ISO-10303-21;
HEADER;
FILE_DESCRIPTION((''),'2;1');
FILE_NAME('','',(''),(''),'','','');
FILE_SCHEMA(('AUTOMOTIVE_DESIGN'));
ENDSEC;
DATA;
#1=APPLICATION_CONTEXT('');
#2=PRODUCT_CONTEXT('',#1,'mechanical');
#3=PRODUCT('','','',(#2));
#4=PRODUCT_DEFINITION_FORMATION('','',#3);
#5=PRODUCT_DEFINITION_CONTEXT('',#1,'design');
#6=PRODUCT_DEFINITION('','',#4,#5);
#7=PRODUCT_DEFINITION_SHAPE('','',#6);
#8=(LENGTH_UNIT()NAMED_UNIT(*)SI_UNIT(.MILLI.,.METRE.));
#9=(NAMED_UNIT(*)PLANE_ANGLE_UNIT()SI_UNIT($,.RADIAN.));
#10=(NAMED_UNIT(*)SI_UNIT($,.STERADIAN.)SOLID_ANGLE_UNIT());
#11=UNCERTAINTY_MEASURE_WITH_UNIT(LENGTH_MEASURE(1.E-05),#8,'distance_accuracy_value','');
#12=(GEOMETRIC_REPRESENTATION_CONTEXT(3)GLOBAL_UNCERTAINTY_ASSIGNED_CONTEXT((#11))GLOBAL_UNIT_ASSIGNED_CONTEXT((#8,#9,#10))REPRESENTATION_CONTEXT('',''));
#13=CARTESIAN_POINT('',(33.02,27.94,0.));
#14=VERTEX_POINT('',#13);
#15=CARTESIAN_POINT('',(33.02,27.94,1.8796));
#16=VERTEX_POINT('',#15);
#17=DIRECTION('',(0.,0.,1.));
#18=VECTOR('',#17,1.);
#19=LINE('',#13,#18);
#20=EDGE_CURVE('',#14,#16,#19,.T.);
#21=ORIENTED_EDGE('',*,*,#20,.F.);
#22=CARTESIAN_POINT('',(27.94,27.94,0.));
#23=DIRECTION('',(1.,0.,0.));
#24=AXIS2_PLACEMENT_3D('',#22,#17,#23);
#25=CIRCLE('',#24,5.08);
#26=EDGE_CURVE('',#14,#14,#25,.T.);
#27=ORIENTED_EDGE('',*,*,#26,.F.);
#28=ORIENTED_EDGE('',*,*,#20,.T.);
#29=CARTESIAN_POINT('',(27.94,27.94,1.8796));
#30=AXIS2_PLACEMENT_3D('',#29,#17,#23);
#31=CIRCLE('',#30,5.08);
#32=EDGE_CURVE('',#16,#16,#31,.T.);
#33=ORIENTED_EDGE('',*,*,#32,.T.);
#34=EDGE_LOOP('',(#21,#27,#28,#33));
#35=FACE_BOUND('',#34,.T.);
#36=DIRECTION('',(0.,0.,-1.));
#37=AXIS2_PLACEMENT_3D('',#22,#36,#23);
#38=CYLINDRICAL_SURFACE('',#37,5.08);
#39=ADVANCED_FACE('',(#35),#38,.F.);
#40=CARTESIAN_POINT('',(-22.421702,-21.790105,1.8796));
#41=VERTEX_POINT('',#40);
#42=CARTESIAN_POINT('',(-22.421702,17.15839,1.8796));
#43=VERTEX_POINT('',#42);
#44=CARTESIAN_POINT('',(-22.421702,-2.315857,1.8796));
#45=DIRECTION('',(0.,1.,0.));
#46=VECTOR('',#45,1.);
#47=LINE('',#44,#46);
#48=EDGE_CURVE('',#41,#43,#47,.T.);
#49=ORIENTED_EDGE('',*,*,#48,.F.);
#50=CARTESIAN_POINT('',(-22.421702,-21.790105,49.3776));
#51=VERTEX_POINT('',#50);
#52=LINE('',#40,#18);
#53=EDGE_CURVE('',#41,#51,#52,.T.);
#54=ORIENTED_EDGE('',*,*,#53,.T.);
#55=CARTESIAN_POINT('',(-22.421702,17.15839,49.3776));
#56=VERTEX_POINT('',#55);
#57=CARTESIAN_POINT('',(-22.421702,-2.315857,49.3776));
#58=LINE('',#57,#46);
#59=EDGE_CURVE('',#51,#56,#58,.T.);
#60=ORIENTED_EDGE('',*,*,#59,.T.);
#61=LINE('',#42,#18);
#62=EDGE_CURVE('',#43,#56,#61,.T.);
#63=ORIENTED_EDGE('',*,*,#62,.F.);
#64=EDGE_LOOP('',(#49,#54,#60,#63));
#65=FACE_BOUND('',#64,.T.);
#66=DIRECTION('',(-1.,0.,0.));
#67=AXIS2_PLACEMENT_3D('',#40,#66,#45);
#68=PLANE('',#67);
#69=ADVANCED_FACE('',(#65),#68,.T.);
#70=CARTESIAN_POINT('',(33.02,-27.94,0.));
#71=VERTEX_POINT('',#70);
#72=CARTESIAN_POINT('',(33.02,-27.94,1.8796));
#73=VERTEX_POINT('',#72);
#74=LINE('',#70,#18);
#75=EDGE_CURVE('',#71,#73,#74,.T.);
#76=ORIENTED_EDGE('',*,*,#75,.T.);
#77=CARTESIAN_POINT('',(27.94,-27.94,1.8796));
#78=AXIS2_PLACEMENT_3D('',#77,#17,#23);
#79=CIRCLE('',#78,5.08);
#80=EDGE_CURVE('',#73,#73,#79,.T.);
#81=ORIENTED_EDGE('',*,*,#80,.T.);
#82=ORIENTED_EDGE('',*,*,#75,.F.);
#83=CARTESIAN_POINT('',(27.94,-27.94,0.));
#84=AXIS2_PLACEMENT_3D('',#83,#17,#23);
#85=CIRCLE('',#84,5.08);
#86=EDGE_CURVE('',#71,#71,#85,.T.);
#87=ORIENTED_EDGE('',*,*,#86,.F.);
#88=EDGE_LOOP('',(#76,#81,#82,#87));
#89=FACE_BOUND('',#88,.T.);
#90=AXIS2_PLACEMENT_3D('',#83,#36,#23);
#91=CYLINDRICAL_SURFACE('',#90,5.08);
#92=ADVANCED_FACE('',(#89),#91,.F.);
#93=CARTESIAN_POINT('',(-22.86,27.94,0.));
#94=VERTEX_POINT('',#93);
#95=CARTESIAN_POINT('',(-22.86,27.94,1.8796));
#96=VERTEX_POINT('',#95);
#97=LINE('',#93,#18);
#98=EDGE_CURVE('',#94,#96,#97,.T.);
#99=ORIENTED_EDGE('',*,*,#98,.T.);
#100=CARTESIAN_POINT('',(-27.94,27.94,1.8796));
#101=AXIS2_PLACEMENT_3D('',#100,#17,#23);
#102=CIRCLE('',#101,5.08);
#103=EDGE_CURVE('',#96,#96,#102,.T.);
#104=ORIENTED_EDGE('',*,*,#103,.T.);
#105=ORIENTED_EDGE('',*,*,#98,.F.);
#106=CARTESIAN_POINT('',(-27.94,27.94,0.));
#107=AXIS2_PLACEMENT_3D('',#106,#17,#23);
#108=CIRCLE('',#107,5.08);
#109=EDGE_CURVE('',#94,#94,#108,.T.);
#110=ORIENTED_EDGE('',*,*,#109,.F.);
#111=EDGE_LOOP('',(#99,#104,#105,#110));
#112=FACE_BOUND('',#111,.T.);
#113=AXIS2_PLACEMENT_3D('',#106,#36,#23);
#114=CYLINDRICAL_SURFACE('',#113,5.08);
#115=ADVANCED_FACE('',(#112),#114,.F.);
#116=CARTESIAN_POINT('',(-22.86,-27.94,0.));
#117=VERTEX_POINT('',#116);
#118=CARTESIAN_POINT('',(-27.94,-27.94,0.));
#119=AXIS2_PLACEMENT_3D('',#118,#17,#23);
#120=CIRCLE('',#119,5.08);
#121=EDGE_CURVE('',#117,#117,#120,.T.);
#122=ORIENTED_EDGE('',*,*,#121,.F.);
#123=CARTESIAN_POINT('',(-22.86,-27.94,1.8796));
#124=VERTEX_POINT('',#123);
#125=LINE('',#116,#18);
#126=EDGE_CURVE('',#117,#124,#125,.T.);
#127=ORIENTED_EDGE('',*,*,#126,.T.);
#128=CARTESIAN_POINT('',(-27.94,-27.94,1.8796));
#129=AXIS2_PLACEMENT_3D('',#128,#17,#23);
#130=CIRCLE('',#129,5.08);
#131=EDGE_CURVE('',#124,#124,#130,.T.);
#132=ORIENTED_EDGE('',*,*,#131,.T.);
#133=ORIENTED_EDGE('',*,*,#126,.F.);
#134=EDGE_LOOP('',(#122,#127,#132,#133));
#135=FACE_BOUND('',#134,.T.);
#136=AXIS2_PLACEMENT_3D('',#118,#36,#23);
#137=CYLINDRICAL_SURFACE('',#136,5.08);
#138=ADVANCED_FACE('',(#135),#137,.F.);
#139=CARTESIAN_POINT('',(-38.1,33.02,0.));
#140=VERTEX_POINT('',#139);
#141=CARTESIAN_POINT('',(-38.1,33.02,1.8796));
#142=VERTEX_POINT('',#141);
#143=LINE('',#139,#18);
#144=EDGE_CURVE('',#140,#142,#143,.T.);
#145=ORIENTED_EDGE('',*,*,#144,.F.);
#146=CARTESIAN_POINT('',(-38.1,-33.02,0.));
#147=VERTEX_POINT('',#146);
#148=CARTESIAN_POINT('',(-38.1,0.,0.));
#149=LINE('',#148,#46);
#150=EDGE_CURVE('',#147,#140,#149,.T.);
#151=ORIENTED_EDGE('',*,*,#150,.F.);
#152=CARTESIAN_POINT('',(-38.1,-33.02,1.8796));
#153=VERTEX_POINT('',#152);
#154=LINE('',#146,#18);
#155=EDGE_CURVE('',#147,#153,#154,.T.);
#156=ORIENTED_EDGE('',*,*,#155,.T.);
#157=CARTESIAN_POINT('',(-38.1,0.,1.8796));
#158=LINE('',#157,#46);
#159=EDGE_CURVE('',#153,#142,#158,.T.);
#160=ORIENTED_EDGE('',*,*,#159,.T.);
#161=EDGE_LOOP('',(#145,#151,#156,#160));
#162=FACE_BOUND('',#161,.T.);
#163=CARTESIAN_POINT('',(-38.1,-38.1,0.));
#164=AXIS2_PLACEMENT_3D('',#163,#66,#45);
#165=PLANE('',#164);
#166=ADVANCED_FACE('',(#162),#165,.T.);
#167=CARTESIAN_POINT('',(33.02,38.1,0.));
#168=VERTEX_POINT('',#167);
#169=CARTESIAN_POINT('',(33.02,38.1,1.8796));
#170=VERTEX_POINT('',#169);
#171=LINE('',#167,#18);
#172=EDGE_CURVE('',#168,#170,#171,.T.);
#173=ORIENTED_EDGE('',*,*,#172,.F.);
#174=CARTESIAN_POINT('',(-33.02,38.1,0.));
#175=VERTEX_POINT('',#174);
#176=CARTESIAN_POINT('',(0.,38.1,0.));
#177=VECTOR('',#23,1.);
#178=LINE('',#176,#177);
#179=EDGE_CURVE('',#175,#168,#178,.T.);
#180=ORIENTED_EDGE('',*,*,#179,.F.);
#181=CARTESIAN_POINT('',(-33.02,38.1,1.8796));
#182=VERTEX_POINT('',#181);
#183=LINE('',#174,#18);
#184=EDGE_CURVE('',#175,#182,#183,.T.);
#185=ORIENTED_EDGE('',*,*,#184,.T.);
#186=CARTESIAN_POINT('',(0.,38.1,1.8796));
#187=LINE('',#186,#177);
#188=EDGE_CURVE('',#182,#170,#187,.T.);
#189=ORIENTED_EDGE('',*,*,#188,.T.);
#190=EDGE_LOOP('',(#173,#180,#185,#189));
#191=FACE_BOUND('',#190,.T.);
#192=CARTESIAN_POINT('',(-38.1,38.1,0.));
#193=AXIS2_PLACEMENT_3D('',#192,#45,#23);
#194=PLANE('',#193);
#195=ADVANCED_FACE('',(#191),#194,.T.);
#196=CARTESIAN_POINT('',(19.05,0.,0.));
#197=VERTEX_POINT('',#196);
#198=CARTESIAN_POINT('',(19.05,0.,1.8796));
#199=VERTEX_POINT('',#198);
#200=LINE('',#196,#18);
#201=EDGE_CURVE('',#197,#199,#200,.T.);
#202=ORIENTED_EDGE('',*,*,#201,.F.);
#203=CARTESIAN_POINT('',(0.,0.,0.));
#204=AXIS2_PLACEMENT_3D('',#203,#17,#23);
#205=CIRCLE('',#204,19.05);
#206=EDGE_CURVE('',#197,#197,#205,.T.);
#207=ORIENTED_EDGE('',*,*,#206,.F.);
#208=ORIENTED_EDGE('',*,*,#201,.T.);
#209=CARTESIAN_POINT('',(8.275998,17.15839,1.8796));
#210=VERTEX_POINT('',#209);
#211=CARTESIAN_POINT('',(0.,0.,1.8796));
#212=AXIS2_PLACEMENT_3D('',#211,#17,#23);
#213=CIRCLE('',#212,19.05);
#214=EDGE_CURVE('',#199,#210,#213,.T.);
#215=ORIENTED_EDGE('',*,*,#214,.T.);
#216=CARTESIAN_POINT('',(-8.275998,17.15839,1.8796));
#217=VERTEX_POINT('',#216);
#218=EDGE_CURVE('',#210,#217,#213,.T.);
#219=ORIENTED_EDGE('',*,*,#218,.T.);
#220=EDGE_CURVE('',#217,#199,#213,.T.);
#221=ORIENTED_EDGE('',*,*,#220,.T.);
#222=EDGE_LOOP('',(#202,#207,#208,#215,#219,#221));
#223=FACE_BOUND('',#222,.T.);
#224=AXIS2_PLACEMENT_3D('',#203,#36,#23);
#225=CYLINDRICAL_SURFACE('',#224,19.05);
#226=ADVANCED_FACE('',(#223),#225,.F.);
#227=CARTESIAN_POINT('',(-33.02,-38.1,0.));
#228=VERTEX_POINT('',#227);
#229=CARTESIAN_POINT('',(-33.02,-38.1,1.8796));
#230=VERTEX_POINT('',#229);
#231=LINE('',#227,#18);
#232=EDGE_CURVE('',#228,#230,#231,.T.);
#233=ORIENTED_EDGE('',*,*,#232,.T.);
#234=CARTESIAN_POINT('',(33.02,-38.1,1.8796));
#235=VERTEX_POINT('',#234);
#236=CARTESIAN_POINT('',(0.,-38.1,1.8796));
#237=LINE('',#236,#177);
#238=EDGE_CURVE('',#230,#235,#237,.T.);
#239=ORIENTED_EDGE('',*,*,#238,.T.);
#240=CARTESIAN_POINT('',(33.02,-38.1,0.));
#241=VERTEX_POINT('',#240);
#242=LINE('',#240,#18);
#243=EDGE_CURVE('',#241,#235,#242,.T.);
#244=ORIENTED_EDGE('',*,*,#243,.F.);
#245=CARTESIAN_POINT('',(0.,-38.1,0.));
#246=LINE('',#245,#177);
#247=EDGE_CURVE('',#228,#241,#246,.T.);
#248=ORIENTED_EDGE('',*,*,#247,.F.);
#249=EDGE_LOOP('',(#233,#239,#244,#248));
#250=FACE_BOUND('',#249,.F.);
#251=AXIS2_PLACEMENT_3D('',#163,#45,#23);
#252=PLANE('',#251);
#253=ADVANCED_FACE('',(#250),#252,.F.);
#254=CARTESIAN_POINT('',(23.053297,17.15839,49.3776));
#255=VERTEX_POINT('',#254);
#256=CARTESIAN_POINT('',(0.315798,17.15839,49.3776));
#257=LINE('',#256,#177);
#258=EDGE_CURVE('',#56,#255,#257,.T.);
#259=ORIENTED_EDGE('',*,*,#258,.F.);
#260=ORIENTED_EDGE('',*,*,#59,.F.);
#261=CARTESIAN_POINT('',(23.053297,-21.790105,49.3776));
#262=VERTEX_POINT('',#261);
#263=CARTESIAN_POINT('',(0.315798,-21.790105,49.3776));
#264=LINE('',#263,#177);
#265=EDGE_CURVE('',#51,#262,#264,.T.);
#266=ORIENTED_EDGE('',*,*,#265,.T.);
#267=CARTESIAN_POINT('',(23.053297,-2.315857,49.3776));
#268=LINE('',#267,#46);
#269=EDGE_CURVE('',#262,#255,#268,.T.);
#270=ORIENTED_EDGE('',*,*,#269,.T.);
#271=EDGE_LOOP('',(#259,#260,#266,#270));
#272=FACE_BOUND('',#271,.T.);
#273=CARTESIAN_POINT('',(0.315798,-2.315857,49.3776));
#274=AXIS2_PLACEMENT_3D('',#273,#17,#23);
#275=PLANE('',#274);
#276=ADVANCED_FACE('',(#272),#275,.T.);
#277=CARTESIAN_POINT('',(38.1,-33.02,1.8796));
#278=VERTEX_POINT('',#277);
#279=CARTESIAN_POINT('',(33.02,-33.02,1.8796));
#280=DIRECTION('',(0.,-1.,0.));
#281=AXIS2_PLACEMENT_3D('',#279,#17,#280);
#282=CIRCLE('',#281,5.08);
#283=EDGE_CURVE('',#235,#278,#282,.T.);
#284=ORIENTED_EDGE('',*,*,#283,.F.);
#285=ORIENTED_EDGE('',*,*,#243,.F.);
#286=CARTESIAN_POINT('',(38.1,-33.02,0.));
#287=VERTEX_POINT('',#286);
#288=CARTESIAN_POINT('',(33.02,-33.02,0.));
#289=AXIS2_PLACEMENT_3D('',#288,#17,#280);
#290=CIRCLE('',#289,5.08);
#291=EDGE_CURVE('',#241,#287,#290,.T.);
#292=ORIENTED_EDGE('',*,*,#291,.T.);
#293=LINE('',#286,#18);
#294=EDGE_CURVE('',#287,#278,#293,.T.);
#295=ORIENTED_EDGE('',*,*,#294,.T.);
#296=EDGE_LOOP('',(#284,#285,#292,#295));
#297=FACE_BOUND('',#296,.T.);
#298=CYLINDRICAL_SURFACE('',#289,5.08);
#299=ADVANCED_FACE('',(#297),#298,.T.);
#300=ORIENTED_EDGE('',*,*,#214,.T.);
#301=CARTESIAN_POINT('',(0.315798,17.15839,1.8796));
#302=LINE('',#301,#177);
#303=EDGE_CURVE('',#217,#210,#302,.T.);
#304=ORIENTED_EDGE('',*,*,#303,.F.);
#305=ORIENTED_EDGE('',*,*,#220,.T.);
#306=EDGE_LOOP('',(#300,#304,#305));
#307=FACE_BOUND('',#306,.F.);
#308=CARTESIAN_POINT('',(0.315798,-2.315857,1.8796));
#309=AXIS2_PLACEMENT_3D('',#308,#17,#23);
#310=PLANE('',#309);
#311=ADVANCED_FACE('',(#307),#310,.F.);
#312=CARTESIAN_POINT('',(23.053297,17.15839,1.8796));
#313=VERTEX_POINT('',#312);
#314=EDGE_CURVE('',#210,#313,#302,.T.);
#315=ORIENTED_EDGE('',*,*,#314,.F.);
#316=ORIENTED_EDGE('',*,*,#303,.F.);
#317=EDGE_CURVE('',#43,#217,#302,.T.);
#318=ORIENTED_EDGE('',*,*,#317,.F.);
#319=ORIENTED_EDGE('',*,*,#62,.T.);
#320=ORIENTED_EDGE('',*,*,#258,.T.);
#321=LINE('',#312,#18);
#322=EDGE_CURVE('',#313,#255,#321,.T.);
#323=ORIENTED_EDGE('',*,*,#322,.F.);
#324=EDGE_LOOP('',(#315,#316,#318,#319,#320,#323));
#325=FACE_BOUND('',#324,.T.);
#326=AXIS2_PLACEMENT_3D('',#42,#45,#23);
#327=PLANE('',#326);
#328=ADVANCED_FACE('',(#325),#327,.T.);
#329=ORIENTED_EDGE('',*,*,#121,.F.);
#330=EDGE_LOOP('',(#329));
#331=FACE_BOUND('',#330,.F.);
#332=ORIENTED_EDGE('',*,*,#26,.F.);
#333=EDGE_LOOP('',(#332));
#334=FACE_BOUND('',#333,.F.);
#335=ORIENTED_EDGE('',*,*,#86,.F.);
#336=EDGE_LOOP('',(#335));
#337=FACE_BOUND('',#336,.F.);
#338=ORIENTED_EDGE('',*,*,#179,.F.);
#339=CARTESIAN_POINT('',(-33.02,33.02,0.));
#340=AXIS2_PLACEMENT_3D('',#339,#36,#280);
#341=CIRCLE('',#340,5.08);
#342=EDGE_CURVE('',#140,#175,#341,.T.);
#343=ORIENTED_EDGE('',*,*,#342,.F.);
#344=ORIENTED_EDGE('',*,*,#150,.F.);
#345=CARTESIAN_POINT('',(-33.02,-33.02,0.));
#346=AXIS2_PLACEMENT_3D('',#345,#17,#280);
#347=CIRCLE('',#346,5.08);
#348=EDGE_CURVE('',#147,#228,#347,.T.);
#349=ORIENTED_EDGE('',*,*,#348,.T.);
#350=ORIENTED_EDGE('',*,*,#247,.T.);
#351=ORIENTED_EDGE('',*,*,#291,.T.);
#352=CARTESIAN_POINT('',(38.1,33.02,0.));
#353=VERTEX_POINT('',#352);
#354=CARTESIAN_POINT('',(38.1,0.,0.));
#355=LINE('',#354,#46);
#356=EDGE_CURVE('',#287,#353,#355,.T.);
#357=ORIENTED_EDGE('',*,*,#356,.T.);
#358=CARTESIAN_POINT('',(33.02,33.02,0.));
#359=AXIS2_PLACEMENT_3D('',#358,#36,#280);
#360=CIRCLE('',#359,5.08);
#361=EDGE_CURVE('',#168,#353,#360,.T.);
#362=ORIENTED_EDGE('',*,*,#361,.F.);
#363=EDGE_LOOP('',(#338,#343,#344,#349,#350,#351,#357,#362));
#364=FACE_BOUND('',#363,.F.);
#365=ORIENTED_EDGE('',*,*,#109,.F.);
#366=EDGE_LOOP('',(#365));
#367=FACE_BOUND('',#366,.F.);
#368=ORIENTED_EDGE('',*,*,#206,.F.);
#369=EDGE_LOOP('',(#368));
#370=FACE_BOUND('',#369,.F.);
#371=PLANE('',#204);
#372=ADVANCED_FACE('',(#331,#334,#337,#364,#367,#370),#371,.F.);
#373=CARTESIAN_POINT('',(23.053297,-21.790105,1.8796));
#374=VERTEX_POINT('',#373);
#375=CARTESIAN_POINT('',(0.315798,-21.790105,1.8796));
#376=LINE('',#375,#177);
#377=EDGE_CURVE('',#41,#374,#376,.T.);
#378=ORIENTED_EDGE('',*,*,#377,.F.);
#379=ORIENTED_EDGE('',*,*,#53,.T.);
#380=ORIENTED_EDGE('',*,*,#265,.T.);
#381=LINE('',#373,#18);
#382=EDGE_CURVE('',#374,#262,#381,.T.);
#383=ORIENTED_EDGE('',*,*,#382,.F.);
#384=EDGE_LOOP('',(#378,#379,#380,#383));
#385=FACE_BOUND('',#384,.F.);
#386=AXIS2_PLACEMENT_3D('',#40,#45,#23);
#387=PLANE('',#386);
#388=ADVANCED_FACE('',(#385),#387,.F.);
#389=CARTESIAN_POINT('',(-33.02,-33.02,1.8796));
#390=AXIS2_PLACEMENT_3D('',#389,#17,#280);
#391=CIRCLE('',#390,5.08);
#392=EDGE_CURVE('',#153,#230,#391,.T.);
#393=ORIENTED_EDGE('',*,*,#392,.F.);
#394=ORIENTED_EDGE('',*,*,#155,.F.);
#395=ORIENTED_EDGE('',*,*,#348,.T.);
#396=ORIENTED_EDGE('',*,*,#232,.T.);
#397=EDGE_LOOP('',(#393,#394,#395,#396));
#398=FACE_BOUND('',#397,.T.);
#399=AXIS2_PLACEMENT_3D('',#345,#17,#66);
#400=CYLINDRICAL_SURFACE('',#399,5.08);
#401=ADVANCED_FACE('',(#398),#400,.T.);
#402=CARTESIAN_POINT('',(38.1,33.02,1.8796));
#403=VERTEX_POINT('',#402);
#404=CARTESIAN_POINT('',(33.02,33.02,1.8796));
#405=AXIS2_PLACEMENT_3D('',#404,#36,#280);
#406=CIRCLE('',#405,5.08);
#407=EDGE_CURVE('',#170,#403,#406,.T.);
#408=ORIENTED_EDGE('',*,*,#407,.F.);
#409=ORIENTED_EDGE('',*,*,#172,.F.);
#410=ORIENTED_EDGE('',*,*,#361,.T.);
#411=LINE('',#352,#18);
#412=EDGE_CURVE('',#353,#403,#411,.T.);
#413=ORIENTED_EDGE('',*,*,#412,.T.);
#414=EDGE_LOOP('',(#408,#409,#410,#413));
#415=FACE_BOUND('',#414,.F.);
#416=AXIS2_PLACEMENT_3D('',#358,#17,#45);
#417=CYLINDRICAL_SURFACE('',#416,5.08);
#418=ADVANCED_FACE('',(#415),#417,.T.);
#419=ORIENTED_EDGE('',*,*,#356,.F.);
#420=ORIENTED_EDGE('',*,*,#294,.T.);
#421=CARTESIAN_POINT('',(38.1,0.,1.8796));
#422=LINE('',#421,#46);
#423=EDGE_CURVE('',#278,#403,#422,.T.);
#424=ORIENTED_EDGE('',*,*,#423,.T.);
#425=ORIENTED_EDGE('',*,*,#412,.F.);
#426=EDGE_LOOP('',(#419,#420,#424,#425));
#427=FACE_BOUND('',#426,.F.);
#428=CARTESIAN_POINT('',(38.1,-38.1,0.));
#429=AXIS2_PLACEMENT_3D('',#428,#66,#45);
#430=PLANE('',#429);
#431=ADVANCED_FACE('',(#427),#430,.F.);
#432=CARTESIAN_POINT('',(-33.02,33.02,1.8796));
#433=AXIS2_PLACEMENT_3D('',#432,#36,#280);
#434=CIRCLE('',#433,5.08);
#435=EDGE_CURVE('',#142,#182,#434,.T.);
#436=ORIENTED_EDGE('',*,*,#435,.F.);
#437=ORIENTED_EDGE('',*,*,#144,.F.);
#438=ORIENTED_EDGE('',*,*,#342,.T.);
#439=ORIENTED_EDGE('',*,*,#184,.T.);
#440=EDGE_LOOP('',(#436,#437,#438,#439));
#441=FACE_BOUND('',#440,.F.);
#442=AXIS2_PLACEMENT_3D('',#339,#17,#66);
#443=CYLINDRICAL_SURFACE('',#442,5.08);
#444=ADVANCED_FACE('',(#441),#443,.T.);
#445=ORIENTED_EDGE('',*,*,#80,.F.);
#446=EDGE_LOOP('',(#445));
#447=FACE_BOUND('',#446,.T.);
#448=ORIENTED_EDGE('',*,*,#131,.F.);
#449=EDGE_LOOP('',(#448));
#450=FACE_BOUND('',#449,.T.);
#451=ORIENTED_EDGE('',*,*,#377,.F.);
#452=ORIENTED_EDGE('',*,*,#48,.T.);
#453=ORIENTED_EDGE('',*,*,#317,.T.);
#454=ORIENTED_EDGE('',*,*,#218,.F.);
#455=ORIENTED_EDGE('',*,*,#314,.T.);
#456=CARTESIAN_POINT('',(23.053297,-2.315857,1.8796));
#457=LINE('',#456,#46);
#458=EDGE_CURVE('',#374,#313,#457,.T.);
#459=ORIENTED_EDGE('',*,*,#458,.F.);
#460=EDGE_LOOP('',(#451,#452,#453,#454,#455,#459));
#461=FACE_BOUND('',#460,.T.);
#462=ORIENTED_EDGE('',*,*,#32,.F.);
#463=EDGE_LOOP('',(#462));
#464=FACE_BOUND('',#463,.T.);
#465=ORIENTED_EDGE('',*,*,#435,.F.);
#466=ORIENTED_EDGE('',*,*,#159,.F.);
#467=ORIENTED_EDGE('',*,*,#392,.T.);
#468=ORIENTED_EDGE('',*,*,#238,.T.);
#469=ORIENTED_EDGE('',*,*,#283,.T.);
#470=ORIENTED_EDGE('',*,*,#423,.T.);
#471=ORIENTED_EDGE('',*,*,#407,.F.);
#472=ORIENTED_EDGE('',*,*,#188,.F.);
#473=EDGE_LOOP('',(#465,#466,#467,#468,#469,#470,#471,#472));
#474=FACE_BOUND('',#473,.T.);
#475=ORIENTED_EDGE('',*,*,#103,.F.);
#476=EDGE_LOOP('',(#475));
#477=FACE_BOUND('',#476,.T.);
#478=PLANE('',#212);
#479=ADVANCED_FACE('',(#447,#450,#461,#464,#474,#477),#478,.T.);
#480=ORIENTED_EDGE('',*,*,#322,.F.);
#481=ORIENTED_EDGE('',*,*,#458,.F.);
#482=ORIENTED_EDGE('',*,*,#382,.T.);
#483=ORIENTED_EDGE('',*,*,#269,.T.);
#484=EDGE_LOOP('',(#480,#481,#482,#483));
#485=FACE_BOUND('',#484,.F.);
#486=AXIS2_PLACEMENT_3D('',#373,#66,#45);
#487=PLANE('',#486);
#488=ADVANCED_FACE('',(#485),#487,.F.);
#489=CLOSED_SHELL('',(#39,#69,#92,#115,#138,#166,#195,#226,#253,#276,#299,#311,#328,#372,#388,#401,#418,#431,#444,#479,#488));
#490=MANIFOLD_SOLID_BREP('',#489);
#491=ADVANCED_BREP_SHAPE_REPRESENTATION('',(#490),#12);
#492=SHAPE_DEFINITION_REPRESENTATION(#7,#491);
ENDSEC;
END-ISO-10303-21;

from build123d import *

# Parameters (mm, degrees)
F0_W     = 76.2
F0_H     = 76.2
F0_R     = 5.08
F0_R_2   = 19.05
F1_DEPTH = 1.8796
F2_R     = 5.08
F5_W     = 45.474999
F5_H     = 38.948495
F6_DEPTH = 47.498


with BuildPart() as f1:
    # F0 (on Top) → F1 (new body)
    with BuildSketch(Plane.XY):
        Rectangle(F0_W, F0_H)
        with Locations((-27.94, -27.94)):
            Circle(F0_R, mode=Mode.SUBTRACT)
        with Locations((27.94, -27.94)):
            Circle(F0_R, mode=Mode.SUBTRACT)
        with Locations((-27.94, 27.94)):
            Circle(F0_R, mode=Mode.SUBTRACT)
        Circle(F0_R_2, mode=Mode.SUBTRACT)
        with Locations((27.94, 27.94)):
            Circle(F0_R, mode=Mode.SUBTRACT)
    extrude(amount=F1_DEPTH)

    # F2
    f2_edges = [f1.edges().sort_by_distance(p)[0] for p in [
        (-38.1, -38.1, 0.9398),
        (38.1, -38.1, 0.9398),
        (38.1, 38.1, 0.9398),
        (-38.1, 38.1, 0.9398),
    ]]
    fillet(f2_edges, radius=F2_R)

    # F5 (on face) → F6 (join)
    with BuildSketch(Plane.XY.offset(1.8796)):
        with Locations((0.315798, -2.315857)):
            Rectangle(F5_W, F5_H)
    extrude(amount=F6_DEPTH)


solid = f1.part
